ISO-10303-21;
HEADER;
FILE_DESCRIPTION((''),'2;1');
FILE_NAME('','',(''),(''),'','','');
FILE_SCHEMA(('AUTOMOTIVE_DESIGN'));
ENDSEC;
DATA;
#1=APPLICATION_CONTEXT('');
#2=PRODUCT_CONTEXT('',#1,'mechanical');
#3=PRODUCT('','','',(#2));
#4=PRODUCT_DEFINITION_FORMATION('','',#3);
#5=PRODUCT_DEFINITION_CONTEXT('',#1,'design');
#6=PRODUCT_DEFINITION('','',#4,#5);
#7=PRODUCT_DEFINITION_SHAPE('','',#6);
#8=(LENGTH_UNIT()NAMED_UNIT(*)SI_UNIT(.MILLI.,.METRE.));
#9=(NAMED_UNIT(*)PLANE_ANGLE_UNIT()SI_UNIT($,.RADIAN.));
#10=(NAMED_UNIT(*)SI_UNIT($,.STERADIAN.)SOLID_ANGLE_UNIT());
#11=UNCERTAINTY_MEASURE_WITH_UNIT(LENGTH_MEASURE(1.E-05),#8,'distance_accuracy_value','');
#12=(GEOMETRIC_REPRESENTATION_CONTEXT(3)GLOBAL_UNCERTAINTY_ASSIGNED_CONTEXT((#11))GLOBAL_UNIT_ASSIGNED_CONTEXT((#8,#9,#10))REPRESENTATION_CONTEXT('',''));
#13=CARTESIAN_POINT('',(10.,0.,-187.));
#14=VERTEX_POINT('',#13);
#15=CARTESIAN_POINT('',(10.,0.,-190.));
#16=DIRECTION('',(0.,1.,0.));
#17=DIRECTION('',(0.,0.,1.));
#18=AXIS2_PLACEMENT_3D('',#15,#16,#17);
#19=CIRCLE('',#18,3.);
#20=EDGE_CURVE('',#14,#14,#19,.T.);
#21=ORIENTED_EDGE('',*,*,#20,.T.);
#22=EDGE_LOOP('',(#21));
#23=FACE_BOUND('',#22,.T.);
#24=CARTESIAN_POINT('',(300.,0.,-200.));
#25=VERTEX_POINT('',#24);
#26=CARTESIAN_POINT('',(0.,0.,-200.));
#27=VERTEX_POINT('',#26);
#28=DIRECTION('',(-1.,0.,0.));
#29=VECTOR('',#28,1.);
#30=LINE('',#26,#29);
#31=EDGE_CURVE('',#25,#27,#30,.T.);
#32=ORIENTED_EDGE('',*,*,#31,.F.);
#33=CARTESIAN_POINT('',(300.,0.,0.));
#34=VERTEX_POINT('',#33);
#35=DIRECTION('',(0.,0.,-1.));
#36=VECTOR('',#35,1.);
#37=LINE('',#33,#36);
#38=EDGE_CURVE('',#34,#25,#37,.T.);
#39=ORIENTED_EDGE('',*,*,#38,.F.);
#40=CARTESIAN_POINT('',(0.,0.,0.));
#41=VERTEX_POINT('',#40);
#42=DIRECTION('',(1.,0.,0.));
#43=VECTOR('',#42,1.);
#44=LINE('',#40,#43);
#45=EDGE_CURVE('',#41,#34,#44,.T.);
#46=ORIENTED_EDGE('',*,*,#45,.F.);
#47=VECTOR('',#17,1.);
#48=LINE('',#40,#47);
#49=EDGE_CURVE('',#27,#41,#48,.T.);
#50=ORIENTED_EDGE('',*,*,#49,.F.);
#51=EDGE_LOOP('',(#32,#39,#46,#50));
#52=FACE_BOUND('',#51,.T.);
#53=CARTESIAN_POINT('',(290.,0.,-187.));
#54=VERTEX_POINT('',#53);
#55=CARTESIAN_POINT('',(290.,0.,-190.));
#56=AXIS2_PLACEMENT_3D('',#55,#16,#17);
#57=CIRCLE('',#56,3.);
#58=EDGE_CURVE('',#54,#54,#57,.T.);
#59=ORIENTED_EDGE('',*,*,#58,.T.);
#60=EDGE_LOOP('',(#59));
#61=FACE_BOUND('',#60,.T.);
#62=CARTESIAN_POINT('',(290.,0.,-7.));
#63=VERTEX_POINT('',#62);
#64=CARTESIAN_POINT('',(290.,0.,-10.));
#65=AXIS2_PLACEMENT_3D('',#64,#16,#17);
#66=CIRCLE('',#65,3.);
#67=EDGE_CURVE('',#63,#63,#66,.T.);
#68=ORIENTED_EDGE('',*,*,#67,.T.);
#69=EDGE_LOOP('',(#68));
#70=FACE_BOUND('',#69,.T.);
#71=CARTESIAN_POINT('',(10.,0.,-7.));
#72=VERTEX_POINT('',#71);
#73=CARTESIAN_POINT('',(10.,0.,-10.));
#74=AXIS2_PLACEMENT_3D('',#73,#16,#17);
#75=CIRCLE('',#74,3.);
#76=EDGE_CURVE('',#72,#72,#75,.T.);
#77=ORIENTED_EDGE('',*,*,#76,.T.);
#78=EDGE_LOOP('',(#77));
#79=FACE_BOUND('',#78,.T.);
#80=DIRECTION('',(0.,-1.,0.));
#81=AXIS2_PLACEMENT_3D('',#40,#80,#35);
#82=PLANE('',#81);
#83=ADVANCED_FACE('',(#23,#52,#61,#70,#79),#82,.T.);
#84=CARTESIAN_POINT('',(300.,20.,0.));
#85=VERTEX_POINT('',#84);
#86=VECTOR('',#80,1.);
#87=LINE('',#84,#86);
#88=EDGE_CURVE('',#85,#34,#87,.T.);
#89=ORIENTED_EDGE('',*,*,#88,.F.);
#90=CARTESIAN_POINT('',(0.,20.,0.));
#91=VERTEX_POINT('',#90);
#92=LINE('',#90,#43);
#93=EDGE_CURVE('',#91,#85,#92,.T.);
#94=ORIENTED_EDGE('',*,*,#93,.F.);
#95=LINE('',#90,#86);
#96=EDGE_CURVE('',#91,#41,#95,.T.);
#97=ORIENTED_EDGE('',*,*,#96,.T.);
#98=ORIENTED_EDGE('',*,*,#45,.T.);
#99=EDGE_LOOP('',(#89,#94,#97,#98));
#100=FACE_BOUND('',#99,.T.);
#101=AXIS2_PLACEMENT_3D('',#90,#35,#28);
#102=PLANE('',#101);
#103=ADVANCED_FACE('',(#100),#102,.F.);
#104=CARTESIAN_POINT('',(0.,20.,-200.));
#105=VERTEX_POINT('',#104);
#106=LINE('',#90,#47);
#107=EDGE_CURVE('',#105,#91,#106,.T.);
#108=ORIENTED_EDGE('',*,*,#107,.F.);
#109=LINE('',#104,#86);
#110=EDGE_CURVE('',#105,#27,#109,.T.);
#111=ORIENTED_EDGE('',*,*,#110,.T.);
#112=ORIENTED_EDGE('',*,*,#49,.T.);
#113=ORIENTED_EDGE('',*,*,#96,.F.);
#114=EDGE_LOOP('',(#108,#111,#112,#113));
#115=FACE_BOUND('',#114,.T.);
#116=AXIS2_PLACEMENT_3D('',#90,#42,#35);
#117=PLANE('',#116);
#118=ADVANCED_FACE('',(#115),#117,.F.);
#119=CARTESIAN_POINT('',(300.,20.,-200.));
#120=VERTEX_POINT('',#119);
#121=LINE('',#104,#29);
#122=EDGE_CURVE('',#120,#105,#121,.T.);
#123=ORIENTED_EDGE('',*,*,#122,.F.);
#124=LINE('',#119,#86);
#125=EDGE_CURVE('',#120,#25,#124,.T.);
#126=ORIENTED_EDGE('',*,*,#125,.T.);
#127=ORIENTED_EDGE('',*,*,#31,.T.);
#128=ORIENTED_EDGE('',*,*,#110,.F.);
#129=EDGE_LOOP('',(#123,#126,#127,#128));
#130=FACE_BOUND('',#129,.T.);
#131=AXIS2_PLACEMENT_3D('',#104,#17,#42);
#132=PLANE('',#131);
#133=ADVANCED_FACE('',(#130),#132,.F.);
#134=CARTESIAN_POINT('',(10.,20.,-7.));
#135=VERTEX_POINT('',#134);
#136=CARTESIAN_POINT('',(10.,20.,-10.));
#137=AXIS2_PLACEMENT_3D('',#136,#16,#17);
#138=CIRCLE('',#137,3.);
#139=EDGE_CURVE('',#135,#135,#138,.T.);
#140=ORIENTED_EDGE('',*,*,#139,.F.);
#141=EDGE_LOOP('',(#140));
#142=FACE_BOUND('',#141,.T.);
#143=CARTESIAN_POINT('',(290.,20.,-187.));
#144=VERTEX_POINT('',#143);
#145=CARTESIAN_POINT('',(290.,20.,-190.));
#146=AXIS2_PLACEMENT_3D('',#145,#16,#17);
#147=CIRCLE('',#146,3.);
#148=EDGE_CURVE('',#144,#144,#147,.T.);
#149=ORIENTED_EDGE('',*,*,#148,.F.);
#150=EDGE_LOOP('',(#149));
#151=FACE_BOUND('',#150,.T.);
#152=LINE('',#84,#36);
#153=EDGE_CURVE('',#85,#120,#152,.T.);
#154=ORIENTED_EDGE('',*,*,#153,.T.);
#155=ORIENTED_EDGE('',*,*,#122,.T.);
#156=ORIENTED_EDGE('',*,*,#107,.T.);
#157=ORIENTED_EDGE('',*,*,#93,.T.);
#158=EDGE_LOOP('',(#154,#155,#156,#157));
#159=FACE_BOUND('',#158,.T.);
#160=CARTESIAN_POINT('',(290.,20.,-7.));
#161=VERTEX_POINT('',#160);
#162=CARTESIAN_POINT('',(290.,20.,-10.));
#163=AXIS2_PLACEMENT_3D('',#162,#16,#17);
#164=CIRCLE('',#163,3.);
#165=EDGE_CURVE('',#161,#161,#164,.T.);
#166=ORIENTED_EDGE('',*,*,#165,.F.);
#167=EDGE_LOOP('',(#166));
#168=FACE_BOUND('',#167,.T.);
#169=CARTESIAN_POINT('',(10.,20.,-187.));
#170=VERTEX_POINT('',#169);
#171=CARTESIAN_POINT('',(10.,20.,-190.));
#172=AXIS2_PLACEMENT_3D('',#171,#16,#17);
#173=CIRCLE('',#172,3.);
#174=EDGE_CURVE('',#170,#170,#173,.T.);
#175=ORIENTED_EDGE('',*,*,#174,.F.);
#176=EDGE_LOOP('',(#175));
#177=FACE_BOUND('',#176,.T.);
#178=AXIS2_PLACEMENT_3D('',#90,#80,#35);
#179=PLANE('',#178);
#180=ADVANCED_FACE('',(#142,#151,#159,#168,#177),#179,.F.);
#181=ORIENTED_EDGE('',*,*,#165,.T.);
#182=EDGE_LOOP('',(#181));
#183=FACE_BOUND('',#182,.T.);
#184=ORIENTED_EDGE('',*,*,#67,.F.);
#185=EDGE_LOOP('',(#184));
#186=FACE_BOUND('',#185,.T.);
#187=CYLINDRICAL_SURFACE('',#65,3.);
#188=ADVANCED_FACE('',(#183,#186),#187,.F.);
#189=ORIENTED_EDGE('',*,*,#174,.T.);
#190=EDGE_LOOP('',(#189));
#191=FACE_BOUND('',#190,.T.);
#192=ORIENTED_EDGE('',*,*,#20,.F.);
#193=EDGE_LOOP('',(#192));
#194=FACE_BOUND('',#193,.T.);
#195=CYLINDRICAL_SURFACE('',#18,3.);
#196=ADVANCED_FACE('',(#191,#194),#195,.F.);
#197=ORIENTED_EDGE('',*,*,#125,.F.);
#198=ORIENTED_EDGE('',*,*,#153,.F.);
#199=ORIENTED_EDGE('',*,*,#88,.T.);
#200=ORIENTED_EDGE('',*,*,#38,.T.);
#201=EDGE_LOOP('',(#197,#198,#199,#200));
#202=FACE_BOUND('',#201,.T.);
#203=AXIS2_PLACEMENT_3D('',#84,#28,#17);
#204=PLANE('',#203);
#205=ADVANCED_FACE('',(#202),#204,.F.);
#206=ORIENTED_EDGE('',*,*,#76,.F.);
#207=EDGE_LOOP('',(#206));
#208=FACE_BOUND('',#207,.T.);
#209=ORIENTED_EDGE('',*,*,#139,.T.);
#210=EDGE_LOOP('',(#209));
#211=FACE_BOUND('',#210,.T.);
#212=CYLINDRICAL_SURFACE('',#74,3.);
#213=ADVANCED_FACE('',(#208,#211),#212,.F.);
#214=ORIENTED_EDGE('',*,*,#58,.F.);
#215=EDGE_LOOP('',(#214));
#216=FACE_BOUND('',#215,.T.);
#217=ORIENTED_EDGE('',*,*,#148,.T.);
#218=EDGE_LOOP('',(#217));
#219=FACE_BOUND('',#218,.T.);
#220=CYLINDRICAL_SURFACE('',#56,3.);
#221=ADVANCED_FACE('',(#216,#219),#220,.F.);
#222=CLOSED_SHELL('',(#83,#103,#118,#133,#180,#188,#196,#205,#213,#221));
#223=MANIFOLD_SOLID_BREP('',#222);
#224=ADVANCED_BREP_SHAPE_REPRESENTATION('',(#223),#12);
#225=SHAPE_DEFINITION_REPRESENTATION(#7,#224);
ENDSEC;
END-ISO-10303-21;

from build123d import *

# Parameters (mm, degrees)
SKETCH1_W           = 300
SKETCH1_H           = 200
BOSS_EXTRUDE2_DEPTH = 20
SKETCH8_R           = 3
CUT_EXTRUDE14_DEPTH = 20
SKETCH10_R          = 3
CUT_EXTRUDE16_DEPTH = 20
SKETCH11_R          = 3
CUT_EXTRUDE17_DEPTH = 20


with BuildPart() as part:
    # Sketch1 → Boss-Extrude2 (new body)
    with BuildSketch(Plane(origin=(0, 0, 0), x_dir=(1, 0, 0), z_dir=(0, 1, 0))):
        with Locations((150, 100)):
            Rectangle(SKETCH1_W, SKETCH1_H)
    extrude(amount=BOSS_EXTRUDE2_DEPTH)

    # Sketch8 → Cut-Extrude14 (cut)
    with BuildSketch(Plane(origin=(0, 20, 0), x_dir=(1, 0, 0), z_dir=(0, 1, 0))):
        with Locations(Location((10, 190, 0), (0, 0, 270))):
            Circle(SKETCH8_R)
    extrude(amount=-CUT_EXTRUDE14_DEPTH, mode=Mode.SUBTRACT)

    # Sketch10 → Cut-Extrude16 (cut)
    with BuildSketch(Plane(origin=(0, 20, 0), x_dir=(1, 0, 0), z_dir=(0, 1, 0))):
        with Locations(Location((10, 10, 0), (0, 0, 270))):
            Circle(SKETCH10_R)
    extrude(amount=-CUT_EXTRUDE16_DEPTH, mode=Mode.SUBTRACT)

    # Sketch11 → Cut-Extrude17 (cut)
    with BuildSketch(Plane(origin=(0, 20, 0), x_dir=(1, 0, 0), z_dir=(0, 1, 0))):
        with Locations(Location((290, 190, 0), (0, 0, 270))):
            Circle(SKETCH11_R)
        with Locations(Location((290, 10, 0), (0, 0, 270))):
            Circle(SKETCH11_R)
    extrude(amount=-CUT_EXTRUDE17_DEPTH, mode=Mode.SUBTRACT)


solid = part.part
